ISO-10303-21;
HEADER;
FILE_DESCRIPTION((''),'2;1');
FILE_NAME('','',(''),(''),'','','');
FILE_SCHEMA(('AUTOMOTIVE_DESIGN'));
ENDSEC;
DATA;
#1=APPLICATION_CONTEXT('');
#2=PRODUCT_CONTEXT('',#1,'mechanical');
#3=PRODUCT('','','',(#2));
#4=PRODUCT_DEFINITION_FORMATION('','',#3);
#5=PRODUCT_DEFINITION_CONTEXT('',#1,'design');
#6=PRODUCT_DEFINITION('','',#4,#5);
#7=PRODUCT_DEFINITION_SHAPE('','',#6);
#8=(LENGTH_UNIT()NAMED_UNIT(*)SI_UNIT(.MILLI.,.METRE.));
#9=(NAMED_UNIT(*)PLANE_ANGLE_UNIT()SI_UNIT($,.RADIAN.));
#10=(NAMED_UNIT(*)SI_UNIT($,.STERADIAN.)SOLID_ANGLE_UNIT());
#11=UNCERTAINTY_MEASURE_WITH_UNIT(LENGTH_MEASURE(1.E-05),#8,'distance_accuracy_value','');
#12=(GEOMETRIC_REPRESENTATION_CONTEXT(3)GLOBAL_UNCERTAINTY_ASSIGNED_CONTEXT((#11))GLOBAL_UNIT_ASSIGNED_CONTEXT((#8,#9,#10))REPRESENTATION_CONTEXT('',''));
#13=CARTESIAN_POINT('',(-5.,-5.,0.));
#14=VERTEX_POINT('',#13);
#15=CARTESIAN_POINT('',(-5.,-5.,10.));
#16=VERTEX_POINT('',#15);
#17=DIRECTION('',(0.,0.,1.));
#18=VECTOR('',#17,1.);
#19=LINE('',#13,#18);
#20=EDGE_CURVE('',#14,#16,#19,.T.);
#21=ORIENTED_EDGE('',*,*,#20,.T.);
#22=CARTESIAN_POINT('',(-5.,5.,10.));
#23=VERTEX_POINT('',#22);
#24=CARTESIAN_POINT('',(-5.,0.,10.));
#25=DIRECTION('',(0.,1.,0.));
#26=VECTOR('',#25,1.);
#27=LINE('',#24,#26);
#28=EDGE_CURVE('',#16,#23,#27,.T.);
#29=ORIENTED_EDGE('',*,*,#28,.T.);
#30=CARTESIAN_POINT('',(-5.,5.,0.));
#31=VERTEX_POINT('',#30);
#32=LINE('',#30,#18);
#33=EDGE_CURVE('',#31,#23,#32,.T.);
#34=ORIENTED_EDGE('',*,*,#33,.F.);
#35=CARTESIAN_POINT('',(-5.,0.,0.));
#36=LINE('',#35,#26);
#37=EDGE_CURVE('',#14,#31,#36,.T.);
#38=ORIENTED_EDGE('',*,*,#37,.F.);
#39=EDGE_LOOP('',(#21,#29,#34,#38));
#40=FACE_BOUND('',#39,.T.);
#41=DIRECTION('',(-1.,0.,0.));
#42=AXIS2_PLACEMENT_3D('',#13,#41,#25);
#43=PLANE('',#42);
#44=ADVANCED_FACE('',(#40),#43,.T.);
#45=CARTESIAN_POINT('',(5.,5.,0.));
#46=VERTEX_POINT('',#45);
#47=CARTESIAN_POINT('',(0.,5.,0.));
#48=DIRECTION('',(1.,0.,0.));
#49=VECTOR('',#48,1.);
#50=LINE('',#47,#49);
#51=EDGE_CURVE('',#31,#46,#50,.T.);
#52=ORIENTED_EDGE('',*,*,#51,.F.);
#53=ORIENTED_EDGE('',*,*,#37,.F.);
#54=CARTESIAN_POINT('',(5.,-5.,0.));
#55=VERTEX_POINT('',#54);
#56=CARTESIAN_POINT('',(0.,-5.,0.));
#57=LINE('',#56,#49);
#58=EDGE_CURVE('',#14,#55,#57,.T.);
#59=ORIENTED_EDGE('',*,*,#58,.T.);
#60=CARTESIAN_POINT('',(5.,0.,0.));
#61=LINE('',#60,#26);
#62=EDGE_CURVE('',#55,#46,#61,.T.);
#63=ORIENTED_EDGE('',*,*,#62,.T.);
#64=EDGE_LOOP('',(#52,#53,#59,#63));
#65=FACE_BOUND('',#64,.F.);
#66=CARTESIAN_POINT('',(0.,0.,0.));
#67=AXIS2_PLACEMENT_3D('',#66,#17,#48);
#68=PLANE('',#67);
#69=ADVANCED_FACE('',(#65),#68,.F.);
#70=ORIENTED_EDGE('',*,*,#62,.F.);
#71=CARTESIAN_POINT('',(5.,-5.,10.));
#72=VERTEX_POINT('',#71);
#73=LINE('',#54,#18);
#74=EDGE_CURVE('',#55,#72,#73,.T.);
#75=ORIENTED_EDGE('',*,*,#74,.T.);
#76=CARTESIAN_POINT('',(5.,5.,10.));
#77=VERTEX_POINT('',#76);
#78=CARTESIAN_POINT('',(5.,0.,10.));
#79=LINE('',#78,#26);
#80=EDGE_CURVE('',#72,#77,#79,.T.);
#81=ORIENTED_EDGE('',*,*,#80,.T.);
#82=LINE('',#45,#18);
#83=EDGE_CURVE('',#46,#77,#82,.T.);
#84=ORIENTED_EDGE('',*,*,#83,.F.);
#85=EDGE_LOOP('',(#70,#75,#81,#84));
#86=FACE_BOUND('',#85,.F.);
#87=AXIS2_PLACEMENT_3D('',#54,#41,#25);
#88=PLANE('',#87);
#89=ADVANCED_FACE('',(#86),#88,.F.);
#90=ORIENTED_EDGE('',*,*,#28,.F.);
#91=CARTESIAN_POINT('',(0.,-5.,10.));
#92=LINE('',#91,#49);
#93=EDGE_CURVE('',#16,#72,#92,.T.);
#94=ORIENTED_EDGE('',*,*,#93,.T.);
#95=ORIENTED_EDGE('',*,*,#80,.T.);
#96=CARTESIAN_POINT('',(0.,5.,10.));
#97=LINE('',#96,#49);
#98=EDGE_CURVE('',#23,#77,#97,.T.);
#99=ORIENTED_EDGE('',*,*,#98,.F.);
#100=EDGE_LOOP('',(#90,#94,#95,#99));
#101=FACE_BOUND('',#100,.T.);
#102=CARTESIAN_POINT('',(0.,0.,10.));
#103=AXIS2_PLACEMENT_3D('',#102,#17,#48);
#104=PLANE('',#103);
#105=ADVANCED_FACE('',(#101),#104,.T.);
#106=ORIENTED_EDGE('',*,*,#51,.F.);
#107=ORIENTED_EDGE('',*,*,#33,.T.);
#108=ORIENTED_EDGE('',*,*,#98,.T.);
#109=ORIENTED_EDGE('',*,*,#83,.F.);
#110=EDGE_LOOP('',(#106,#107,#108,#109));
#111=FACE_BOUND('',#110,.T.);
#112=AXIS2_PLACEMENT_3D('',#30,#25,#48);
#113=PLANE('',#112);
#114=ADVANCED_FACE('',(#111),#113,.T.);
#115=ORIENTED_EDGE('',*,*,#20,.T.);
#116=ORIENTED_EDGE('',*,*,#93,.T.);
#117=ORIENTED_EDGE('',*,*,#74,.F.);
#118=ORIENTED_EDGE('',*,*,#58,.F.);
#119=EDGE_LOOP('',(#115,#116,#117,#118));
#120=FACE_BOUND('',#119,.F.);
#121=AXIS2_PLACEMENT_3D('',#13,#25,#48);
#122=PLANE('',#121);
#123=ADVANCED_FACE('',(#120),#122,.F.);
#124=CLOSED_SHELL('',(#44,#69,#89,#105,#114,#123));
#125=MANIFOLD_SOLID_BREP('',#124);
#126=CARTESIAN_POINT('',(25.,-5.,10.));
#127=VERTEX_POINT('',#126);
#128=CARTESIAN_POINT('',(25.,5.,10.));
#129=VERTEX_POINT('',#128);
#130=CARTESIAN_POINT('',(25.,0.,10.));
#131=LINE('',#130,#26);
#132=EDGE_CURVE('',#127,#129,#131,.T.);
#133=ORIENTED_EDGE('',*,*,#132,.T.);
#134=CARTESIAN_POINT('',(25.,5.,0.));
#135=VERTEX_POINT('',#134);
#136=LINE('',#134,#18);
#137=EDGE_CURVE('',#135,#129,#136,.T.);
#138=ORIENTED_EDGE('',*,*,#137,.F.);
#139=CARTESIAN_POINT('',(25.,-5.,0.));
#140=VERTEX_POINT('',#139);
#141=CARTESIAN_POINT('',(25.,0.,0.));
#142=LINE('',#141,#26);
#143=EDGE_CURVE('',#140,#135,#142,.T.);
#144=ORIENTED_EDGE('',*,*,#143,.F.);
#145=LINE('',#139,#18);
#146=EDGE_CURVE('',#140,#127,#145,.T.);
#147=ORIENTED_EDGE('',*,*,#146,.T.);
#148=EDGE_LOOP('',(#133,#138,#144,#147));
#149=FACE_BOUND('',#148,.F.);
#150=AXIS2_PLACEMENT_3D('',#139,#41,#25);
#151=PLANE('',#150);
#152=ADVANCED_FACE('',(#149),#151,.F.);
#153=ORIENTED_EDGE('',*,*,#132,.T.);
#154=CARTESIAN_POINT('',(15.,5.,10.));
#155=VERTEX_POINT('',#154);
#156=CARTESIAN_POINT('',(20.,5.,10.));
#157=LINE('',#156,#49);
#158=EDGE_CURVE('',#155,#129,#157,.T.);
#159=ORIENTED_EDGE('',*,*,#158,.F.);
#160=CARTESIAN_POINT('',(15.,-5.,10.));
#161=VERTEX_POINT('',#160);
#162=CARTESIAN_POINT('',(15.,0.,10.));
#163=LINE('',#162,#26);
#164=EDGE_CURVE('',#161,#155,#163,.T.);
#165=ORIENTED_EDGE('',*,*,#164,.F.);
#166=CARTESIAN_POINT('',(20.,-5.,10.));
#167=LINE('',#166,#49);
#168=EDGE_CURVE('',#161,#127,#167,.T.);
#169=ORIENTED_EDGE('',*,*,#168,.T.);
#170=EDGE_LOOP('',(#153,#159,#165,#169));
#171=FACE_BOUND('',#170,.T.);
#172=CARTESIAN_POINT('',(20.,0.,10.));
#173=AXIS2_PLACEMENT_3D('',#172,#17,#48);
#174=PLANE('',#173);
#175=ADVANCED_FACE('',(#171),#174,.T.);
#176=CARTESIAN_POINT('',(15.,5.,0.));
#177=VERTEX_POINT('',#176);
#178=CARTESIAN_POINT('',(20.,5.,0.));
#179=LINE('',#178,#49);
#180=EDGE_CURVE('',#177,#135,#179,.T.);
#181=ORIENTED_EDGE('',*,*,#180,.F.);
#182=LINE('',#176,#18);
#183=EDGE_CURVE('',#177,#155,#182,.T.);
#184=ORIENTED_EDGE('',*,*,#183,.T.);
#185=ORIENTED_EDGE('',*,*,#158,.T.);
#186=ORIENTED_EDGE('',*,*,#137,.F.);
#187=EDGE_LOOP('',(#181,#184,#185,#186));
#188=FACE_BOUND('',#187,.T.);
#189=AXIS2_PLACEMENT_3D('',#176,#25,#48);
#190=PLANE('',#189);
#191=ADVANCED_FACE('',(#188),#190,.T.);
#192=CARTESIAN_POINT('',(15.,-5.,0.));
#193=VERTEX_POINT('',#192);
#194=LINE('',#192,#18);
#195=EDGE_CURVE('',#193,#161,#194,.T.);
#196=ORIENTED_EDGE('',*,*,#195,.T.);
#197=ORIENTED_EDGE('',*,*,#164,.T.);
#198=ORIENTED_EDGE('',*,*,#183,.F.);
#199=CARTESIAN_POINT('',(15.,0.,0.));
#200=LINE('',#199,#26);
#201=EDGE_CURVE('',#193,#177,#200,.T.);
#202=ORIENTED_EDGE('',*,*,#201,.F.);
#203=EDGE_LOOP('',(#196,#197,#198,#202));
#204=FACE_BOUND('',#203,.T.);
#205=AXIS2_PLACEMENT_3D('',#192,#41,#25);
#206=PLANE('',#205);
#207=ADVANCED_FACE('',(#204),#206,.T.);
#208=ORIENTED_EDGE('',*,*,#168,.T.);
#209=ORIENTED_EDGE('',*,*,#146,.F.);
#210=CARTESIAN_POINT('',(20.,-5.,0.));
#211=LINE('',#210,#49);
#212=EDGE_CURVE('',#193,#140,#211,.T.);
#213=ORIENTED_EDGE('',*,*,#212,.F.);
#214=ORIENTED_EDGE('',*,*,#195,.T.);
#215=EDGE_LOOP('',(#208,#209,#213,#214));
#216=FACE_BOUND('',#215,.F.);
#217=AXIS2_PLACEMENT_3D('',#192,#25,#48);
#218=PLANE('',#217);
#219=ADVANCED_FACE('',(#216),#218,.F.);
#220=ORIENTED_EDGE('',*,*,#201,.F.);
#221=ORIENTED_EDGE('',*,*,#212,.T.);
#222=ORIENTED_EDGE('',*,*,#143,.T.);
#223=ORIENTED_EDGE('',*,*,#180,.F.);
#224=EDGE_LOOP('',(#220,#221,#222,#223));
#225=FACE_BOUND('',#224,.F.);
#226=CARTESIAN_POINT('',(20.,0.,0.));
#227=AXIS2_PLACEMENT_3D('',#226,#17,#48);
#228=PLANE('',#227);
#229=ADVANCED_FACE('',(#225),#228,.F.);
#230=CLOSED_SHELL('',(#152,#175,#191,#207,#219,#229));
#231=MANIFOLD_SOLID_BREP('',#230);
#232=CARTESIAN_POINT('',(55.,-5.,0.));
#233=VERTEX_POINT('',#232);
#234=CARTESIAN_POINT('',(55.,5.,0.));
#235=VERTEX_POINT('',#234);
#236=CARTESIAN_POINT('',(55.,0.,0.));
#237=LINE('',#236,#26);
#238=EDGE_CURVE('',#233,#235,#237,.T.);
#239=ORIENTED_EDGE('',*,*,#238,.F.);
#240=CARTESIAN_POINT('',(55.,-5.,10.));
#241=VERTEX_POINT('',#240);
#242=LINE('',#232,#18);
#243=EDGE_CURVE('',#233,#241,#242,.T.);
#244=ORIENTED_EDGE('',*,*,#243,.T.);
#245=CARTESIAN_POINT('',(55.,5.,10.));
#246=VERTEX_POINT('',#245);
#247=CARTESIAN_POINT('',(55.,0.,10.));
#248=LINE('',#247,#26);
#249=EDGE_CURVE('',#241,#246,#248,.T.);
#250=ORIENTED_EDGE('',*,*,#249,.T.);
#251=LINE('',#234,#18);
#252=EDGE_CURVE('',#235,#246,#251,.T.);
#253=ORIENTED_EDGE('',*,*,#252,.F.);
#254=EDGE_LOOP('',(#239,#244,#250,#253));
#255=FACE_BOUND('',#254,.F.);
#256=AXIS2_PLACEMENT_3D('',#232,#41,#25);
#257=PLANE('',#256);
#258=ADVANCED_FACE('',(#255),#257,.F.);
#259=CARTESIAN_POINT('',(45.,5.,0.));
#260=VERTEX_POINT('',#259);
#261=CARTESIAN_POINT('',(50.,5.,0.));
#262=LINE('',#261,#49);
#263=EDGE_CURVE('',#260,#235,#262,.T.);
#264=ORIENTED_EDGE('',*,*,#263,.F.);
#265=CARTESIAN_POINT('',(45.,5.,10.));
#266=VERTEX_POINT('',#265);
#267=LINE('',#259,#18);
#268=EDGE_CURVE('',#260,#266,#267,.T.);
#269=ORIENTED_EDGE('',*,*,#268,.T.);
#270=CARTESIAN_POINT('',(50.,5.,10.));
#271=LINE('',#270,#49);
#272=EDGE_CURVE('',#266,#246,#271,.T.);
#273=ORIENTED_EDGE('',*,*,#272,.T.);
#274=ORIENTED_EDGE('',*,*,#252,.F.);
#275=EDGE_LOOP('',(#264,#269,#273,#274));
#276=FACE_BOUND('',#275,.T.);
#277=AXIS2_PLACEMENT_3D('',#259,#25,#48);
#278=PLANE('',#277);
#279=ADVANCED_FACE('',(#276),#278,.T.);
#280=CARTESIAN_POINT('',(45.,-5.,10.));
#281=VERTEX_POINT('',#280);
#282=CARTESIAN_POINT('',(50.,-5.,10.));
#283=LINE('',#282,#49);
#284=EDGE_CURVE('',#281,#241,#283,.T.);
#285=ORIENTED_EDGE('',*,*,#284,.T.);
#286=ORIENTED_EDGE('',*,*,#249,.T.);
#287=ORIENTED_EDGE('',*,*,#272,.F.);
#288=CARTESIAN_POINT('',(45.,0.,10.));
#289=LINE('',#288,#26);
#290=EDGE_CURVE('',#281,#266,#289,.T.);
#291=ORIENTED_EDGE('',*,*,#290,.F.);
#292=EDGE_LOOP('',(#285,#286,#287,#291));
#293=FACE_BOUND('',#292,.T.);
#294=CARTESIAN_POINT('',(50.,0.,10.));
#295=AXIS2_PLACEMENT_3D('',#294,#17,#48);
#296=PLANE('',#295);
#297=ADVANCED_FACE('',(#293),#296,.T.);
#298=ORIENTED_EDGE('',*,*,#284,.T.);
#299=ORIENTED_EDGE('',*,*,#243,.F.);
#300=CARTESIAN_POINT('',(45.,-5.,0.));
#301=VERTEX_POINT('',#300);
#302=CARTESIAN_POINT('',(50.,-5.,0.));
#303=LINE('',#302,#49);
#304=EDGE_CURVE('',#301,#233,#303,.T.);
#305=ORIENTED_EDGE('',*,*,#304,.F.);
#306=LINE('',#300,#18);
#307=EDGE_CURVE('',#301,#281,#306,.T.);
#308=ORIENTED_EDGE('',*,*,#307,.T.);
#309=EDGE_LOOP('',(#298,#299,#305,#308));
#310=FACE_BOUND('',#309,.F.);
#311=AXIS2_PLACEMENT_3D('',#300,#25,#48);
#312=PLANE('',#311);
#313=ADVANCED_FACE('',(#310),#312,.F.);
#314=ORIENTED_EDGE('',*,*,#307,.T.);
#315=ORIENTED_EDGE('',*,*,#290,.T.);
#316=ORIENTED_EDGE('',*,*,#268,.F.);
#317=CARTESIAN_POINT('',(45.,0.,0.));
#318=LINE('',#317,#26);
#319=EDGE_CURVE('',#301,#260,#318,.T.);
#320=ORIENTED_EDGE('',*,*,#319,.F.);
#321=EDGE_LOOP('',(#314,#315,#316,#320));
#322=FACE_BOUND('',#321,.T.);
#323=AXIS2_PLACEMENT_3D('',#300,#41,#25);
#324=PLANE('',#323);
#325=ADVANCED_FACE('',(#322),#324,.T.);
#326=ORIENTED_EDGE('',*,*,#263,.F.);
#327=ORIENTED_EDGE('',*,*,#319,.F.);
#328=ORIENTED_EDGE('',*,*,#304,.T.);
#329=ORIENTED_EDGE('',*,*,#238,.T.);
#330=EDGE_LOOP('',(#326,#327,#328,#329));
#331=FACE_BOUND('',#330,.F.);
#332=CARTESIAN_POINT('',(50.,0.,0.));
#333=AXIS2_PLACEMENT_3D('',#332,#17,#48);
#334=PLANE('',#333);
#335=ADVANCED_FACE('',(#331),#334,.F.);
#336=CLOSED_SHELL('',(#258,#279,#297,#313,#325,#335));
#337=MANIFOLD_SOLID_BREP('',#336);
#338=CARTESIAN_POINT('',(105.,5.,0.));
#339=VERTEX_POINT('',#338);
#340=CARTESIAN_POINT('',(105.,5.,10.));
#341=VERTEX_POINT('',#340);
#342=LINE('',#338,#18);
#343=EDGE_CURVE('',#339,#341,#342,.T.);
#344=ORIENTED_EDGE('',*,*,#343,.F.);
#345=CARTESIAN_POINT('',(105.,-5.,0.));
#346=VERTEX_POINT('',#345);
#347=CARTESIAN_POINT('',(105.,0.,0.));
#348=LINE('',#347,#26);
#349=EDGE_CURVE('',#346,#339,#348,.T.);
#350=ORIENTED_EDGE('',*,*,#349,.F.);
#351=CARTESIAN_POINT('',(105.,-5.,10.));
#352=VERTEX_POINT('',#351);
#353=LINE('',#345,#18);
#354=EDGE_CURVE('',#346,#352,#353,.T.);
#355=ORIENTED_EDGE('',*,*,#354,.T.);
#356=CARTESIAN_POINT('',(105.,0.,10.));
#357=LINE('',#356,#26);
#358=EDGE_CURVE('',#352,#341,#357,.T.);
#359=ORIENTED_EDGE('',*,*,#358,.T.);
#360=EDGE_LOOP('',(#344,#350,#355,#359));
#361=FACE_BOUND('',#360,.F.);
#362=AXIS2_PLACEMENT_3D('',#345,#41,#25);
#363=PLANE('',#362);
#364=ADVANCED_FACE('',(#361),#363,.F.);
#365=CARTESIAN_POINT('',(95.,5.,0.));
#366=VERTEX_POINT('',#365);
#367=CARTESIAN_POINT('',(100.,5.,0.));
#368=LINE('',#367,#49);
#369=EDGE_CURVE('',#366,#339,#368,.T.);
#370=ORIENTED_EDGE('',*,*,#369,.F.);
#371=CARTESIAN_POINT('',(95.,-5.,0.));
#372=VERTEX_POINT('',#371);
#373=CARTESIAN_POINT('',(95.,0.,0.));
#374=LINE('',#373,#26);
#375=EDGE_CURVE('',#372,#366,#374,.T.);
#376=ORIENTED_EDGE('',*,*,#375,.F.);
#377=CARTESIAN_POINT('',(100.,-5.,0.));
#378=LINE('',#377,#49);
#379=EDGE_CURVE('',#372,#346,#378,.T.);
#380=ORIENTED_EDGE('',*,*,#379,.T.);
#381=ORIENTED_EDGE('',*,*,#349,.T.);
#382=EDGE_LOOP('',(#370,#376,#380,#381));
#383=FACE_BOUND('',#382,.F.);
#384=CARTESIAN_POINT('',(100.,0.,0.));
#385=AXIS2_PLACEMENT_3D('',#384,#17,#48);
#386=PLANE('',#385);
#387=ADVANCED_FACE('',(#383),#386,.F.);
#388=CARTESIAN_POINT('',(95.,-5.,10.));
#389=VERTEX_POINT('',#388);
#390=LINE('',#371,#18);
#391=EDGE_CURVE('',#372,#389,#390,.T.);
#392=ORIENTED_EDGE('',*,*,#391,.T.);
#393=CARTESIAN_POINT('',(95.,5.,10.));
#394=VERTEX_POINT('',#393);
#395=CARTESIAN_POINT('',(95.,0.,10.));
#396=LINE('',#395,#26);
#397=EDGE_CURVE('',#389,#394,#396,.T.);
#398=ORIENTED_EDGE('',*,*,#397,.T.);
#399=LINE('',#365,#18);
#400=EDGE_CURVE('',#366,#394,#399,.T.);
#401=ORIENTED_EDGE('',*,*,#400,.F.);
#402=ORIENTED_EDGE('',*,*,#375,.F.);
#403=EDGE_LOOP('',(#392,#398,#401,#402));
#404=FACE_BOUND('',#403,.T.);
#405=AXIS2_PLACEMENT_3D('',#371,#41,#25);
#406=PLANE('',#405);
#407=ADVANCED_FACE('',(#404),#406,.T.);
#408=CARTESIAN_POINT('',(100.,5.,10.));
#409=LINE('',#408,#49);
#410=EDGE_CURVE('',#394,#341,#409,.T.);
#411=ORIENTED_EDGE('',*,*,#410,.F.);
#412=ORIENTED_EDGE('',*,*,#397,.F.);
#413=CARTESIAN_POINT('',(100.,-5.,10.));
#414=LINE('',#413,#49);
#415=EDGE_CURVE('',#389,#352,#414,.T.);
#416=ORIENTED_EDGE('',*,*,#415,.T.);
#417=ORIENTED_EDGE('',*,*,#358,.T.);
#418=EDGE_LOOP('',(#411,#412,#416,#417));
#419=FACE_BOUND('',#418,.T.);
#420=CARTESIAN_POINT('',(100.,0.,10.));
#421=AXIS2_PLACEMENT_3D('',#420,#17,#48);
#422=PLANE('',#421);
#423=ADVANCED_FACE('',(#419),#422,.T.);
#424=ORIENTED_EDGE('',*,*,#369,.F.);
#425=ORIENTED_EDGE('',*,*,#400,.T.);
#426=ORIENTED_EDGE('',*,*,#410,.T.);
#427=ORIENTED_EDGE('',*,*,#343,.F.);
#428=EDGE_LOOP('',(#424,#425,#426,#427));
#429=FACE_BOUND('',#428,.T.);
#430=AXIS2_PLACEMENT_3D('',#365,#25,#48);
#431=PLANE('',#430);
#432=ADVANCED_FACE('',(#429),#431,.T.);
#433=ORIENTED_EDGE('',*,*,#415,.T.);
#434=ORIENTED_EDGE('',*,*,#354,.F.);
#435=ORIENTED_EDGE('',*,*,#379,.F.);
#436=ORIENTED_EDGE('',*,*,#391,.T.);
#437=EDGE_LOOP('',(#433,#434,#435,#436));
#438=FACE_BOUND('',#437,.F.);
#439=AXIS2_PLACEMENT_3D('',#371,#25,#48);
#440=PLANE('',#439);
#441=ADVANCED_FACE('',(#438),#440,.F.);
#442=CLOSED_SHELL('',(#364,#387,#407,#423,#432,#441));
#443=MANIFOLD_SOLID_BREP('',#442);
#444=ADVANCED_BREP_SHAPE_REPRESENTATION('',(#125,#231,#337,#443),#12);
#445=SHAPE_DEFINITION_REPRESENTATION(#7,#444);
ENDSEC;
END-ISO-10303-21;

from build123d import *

# Parameters (mm, degrees)
F0_W     = 10
F0_H     = 10
F1_DEPTH = 10


with BuildPart() as f1:
    # F0 (on Top) → F1 (new body)
    with BuildSketch(Plane.XY):
        with Locations((20, 0)):
            Rectangle(F0_W, F0_H)
        Rectangle(F0_W, F0_H)
        with Locations((50, 0)):
            Rectangle(F0_W, F0_H)
        with Locations((100, 0)):
            Rectangle(F0_W, F0_H)
    extrude(amount=F1_DEPTH)


solid = f1.part
